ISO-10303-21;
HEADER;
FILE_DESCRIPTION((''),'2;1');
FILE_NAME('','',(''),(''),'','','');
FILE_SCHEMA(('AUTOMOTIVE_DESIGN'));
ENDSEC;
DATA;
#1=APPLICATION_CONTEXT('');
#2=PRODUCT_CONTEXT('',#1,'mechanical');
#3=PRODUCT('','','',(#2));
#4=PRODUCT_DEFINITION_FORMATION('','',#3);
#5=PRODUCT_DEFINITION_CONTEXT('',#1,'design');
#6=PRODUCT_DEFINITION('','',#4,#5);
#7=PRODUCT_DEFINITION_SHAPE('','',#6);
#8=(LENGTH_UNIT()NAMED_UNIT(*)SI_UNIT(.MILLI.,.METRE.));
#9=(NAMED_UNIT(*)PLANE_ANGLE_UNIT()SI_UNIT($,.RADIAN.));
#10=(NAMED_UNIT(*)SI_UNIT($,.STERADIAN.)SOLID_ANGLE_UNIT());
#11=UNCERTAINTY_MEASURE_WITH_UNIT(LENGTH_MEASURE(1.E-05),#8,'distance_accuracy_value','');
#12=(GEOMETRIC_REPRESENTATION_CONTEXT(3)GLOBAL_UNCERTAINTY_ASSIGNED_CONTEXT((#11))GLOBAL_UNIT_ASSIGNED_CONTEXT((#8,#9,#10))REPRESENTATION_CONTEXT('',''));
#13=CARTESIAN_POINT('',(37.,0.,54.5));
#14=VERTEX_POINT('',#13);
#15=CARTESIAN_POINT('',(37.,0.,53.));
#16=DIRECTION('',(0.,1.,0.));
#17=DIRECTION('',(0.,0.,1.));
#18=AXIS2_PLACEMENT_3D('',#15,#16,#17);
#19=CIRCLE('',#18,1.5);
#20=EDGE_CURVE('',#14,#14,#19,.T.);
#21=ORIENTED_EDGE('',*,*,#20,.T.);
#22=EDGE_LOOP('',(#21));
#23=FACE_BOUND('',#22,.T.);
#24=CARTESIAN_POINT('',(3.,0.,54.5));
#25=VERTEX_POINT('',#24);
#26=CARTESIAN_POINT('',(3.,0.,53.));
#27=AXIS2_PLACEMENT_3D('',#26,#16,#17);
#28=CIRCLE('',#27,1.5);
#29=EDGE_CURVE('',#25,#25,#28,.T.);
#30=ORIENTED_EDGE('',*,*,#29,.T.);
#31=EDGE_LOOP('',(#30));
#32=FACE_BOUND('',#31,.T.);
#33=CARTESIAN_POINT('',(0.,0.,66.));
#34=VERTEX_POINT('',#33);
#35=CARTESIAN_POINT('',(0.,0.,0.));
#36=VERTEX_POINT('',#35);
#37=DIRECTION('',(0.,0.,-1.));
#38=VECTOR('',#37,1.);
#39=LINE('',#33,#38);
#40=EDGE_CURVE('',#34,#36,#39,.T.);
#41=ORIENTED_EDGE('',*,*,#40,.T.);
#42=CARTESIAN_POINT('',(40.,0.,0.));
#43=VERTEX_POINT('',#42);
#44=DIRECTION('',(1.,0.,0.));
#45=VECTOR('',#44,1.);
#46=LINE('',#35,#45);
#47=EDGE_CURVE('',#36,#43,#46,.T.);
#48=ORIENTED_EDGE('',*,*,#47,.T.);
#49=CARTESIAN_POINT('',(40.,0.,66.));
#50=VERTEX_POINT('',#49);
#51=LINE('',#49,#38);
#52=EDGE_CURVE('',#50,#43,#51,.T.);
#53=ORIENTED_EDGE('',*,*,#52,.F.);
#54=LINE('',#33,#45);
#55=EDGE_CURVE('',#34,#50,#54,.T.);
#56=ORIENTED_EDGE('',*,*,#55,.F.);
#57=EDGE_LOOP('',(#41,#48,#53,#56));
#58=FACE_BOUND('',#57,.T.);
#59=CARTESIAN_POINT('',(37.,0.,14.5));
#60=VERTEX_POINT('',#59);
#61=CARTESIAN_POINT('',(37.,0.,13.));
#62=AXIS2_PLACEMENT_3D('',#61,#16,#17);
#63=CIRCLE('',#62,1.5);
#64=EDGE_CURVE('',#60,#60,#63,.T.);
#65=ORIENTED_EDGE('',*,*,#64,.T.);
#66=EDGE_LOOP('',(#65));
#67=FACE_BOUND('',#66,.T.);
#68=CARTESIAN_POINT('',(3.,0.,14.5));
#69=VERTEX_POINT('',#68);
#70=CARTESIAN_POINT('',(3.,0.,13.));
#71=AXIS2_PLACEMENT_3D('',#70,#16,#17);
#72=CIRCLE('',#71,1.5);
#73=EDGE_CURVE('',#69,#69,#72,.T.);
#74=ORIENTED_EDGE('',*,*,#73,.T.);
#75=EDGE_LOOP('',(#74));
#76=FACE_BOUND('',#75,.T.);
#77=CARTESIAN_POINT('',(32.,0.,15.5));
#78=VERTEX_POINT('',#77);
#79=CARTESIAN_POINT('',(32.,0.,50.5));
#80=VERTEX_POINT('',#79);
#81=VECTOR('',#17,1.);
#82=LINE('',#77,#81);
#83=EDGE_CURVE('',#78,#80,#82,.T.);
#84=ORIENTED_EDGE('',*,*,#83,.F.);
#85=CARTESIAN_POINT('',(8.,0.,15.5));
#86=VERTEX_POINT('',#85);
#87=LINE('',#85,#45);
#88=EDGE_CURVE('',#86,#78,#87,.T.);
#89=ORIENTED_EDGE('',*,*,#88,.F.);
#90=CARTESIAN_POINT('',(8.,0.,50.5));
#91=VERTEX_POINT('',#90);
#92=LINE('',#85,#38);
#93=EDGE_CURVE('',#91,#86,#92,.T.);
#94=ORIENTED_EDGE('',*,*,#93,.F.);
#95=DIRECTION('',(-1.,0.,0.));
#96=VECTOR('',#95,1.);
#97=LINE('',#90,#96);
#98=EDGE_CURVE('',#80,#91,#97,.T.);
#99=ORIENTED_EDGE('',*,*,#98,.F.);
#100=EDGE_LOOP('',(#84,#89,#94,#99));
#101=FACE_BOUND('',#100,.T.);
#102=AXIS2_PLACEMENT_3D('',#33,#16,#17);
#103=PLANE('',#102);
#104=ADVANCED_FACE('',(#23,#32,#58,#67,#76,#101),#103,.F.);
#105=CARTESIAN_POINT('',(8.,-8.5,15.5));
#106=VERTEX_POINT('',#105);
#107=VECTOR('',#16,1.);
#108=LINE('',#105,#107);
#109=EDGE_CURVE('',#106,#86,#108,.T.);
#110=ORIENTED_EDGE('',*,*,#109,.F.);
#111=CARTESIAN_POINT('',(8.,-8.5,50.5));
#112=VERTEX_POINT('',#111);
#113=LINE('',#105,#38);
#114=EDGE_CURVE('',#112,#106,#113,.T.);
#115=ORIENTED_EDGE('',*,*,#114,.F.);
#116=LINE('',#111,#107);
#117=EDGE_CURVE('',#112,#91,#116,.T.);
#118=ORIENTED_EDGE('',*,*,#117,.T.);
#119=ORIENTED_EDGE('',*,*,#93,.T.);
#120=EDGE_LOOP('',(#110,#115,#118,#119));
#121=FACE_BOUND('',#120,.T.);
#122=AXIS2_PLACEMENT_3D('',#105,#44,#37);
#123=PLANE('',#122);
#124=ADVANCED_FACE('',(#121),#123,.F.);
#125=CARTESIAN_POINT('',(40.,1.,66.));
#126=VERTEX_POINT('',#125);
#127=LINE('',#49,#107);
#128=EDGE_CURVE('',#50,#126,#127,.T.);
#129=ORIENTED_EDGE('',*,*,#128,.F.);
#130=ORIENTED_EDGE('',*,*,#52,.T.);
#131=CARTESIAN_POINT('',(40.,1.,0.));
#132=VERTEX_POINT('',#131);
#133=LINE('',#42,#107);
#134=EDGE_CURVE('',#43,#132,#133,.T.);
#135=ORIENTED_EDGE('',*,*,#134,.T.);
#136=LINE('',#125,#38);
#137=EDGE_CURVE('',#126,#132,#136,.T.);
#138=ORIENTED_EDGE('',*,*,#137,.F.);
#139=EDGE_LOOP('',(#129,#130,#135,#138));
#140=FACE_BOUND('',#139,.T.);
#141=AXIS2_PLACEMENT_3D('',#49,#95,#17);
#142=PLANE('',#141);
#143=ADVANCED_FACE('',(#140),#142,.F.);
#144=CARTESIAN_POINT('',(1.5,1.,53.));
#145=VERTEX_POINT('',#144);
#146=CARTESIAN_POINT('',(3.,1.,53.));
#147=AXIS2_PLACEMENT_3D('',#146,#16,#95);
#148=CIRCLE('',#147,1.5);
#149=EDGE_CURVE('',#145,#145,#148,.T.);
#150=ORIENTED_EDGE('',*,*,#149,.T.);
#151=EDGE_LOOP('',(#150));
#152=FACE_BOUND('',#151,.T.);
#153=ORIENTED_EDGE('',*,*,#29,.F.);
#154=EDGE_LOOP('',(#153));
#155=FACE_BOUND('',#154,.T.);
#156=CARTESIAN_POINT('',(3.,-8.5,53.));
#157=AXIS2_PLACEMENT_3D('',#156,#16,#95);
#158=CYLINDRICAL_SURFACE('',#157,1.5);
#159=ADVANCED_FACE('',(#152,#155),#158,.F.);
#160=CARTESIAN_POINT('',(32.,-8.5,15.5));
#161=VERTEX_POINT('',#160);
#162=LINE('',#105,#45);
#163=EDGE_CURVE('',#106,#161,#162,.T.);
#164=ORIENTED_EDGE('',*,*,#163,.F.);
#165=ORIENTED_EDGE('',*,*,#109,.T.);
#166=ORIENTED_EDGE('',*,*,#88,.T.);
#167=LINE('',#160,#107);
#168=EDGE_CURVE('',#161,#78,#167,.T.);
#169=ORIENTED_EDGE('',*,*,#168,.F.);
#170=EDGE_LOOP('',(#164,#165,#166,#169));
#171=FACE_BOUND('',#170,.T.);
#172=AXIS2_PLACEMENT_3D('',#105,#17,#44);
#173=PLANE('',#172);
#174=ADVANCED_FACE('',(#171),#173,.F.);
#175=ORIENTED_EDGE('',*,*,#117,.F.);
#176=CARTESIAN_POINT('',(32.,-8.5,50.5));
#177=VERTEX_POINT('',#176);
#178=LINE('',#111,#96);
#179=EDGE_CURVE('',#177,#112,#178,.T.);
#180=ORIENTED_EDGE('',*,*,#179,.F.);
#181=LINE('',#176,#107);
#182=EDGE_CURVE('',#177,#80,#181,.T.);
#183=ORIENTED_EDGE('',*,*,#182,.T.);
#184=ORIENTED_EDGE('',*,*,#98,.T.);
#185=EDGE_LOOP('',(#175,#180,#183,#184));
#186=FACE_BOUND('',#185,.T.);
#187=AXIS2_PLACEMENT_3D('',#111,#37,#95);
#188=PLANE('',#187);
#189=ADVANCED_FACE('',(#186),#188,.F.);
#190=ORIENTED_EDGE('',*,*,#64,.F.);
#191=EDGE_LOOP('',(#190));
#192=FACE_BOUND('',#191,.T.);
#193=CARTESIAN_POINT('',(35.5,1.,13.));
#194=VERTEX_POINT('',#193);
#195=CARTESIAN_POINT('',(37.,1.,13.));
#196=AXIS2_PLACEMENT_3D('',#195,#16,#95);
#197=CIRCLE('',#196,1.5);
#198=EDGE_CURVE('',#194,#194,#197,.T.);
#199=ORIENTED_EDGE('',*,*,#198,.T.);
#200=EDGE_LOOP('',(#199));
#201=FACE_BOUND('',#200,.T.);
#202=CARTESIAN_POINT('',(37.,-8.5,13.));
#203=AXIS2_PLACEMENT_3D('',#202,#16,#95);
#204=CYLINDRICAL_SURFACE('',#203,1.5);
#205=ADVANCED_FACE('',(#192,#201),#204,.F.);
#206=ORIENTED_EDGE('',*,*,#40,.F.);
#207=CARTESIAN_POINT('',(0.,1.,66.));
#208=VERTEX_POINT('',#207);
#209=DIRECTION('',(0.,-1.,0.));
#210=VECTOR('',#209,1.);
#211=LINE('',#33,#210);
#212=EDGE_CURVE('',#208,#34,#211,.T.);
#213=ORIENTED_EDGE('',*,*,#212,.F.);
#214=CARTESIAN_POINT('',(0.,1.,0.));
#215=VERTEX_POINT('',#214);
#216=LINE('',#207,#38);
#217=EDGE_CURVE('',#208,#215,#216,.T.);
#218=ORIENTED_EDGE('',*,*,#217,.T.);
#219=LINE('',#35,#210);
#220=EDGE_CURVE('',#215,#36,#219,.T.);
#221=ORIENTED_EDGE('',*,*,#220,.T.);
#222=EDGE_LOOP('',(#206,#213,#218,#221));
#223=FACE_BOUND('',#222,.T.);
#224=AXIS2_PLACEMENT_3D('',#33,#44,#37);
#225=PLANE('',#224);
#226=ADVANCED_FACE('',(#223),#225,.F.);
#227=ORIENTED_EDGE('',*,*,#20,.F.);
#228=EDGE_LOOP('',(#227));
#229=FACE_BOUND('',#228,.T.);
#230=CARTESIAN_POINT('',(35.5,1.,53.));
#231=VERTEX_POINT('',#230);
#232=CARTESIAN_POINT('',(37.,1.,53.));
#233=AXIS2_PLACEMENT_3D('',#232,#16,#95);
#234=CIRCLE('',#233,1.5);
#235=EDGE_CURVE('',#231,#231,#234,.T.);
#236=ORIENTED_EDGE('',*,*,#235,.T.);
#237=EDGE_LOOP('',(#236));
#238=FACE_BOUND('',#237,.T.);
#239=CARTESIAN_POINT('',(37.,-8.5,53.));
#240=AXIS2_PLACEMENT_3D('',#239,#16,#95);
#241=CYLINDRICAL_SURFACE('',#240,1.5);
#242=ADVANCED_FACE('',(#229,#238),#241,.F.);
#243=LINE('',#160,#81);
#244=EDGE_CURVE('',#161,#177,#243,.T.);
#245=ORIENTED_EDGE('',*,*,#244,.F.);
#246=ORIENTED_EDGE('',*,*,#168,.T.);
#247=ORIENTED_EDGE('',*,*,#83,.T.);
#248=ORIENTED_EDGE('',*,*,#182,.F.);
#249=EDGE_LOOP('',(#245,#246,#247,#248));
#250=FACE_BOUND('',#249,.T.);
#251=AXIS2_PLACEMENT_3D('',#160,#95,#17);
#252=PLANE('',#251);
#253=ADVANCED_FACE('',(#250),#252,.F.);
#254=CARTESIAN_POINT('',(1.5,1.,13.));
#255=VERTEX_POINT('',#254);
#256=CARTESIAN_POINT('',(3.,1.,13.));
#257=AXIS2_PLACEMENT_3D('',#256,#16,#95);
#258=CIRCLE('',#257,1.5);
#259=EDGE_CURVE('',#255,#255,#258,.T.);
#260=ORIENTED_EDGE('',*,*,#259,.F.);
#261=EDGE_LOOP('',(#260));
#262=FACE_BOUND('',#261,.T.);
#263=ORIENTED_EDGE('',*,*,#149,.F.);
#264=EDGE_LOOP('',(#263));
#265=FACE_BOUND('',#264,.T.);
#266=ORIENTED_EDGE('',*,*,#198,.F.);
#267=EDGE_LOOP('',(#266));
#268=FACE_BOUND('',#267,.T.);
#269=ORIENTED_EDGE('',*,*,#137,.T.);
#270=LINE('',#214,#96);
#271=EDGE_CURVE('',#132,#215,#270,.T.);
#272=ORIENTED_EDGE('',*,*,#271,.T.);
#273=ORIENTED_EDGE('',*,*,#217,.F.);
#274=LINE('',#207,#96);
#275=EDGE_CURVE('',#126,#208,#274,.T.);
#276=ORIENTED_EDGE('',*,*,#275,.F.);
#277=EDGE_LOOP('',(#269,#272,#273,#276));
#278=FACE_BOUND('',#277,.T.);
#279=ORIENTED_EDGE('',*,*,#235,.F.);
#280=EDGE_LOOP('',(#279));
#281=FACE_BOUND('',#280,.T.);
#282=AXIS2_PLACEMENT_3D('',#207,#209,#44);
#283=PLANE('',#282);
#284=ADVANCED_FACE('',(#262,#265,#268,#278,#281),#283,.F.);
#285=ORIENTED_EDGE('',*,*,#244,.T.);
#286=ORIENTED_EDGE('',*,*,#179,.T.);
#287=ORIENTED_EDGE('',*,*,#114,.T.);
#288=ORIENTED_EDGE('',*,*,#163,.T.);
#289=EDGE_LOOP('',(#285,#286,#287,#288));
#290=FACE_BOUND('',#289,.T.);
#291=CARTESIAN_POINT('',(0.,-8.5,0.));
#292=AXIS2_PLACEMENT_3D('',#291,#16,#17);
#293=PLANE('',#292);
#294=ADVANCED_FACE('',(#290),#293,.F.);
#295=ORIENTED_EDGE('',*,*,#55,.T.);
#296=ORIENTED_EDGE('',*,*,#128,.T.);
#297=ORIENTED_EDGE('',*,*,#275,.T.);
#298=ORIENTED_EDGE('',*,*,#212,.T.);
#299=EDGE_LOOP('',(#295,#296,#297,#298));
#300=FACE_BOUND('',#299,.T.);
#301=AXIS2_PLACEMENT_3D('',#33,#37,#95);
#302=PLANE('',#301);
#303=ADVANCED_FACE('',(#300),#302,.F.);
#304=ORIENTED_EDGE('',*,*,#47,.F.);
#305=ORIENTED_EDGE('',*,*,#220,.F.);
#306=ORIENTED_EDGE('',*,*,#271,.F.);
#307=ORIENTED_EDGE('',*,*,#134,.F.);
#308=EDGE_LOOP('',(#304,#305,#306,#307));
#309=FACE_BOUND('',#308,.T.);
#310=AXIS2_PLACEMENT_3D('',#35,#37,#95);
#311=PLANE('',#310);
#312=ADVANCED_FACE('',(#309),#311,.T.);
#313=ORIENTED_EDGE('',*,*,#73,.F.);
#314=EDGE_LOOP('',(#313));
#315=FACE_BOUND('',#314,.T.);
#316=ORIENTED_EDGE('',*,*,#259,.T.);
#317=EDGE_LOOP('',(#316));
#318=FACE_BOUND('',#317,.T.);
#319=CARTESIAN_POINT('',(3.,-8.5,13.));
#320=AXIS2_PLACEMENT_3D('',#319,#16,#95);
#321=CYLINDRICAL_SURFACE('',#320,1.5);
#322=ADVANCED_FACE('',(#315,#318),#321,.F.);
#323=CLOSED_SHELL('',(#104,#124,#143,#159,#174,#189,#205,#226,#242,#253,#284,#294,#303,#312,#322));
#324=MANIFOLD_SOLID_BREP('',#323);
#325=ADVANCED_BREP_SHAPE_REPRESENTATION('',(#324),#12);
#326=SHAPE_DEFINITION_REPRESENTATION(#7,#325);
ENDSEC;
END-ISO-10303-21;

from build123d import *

# Parameters (mm, degrees)
SKETCH_1_W          = 40
SKETCH_1_H          = 1
EXTRUDE_1_DEPTH     = 66
SKETCH_2_W          = 24
SKETCH_2_H          = 35
EXTRUDE_2_DEPTH     = 8.5
SKETCH_3_R          = 1.5
CUT_EXTRUDE_1_DEPTH = 78.757636281


with BuildPart() as part:
    # ｽｹｯﾁ1 → ﾎﾞｽ - 押し出し1 (new body)
    with BuildSketch(Plane.XY):
        with Locations((20, 0.5)):
            Rectangle(SKETCH_1_W, SKETCH_1_H)
    extrude(amount=EXTRUDE_1_DEPTH)

    # ｽｹｯﾁ2 → ﾎﾞｽ - 押し出し2 (add)
    with BuildSketch(Plane.XZ):
        with Locations((20, 33)):
            Rectangle(SKETCH_2_W, SKETCH_2_H)
    extrude(amount=EXTRUDE_2_DEPTH)

    # ｽｹｯﾁ3 → ｶｯﾄ - 押し出し1 (cut, through all)
    with BuildSketch(Plane(origin=(0, 1, 0), x_dir=(1, 0, 0), z_dir=(0, 1, 0))):
        with Locations(Location((3, -13, 0), (0, 0, 180))):
            Circle(SKETCH_3_R)
        with Locations(Location((37, -13, 0), (0, 0, 180))):
            Circle(SKETCH_3_R)
        with Locations(Location((3, -53, 0), (0, 0, 180))):
            Circle(SKETCH_3_R)
        with Locations(Location((37, -53, 0), (0, 0, 180))):
            Circle(SKETCH_3_R)
    extrude(amount=-CUT_EXTRUDE_1_DEPTH, mode=Mode.SUBTRACT)


solid = part.part
